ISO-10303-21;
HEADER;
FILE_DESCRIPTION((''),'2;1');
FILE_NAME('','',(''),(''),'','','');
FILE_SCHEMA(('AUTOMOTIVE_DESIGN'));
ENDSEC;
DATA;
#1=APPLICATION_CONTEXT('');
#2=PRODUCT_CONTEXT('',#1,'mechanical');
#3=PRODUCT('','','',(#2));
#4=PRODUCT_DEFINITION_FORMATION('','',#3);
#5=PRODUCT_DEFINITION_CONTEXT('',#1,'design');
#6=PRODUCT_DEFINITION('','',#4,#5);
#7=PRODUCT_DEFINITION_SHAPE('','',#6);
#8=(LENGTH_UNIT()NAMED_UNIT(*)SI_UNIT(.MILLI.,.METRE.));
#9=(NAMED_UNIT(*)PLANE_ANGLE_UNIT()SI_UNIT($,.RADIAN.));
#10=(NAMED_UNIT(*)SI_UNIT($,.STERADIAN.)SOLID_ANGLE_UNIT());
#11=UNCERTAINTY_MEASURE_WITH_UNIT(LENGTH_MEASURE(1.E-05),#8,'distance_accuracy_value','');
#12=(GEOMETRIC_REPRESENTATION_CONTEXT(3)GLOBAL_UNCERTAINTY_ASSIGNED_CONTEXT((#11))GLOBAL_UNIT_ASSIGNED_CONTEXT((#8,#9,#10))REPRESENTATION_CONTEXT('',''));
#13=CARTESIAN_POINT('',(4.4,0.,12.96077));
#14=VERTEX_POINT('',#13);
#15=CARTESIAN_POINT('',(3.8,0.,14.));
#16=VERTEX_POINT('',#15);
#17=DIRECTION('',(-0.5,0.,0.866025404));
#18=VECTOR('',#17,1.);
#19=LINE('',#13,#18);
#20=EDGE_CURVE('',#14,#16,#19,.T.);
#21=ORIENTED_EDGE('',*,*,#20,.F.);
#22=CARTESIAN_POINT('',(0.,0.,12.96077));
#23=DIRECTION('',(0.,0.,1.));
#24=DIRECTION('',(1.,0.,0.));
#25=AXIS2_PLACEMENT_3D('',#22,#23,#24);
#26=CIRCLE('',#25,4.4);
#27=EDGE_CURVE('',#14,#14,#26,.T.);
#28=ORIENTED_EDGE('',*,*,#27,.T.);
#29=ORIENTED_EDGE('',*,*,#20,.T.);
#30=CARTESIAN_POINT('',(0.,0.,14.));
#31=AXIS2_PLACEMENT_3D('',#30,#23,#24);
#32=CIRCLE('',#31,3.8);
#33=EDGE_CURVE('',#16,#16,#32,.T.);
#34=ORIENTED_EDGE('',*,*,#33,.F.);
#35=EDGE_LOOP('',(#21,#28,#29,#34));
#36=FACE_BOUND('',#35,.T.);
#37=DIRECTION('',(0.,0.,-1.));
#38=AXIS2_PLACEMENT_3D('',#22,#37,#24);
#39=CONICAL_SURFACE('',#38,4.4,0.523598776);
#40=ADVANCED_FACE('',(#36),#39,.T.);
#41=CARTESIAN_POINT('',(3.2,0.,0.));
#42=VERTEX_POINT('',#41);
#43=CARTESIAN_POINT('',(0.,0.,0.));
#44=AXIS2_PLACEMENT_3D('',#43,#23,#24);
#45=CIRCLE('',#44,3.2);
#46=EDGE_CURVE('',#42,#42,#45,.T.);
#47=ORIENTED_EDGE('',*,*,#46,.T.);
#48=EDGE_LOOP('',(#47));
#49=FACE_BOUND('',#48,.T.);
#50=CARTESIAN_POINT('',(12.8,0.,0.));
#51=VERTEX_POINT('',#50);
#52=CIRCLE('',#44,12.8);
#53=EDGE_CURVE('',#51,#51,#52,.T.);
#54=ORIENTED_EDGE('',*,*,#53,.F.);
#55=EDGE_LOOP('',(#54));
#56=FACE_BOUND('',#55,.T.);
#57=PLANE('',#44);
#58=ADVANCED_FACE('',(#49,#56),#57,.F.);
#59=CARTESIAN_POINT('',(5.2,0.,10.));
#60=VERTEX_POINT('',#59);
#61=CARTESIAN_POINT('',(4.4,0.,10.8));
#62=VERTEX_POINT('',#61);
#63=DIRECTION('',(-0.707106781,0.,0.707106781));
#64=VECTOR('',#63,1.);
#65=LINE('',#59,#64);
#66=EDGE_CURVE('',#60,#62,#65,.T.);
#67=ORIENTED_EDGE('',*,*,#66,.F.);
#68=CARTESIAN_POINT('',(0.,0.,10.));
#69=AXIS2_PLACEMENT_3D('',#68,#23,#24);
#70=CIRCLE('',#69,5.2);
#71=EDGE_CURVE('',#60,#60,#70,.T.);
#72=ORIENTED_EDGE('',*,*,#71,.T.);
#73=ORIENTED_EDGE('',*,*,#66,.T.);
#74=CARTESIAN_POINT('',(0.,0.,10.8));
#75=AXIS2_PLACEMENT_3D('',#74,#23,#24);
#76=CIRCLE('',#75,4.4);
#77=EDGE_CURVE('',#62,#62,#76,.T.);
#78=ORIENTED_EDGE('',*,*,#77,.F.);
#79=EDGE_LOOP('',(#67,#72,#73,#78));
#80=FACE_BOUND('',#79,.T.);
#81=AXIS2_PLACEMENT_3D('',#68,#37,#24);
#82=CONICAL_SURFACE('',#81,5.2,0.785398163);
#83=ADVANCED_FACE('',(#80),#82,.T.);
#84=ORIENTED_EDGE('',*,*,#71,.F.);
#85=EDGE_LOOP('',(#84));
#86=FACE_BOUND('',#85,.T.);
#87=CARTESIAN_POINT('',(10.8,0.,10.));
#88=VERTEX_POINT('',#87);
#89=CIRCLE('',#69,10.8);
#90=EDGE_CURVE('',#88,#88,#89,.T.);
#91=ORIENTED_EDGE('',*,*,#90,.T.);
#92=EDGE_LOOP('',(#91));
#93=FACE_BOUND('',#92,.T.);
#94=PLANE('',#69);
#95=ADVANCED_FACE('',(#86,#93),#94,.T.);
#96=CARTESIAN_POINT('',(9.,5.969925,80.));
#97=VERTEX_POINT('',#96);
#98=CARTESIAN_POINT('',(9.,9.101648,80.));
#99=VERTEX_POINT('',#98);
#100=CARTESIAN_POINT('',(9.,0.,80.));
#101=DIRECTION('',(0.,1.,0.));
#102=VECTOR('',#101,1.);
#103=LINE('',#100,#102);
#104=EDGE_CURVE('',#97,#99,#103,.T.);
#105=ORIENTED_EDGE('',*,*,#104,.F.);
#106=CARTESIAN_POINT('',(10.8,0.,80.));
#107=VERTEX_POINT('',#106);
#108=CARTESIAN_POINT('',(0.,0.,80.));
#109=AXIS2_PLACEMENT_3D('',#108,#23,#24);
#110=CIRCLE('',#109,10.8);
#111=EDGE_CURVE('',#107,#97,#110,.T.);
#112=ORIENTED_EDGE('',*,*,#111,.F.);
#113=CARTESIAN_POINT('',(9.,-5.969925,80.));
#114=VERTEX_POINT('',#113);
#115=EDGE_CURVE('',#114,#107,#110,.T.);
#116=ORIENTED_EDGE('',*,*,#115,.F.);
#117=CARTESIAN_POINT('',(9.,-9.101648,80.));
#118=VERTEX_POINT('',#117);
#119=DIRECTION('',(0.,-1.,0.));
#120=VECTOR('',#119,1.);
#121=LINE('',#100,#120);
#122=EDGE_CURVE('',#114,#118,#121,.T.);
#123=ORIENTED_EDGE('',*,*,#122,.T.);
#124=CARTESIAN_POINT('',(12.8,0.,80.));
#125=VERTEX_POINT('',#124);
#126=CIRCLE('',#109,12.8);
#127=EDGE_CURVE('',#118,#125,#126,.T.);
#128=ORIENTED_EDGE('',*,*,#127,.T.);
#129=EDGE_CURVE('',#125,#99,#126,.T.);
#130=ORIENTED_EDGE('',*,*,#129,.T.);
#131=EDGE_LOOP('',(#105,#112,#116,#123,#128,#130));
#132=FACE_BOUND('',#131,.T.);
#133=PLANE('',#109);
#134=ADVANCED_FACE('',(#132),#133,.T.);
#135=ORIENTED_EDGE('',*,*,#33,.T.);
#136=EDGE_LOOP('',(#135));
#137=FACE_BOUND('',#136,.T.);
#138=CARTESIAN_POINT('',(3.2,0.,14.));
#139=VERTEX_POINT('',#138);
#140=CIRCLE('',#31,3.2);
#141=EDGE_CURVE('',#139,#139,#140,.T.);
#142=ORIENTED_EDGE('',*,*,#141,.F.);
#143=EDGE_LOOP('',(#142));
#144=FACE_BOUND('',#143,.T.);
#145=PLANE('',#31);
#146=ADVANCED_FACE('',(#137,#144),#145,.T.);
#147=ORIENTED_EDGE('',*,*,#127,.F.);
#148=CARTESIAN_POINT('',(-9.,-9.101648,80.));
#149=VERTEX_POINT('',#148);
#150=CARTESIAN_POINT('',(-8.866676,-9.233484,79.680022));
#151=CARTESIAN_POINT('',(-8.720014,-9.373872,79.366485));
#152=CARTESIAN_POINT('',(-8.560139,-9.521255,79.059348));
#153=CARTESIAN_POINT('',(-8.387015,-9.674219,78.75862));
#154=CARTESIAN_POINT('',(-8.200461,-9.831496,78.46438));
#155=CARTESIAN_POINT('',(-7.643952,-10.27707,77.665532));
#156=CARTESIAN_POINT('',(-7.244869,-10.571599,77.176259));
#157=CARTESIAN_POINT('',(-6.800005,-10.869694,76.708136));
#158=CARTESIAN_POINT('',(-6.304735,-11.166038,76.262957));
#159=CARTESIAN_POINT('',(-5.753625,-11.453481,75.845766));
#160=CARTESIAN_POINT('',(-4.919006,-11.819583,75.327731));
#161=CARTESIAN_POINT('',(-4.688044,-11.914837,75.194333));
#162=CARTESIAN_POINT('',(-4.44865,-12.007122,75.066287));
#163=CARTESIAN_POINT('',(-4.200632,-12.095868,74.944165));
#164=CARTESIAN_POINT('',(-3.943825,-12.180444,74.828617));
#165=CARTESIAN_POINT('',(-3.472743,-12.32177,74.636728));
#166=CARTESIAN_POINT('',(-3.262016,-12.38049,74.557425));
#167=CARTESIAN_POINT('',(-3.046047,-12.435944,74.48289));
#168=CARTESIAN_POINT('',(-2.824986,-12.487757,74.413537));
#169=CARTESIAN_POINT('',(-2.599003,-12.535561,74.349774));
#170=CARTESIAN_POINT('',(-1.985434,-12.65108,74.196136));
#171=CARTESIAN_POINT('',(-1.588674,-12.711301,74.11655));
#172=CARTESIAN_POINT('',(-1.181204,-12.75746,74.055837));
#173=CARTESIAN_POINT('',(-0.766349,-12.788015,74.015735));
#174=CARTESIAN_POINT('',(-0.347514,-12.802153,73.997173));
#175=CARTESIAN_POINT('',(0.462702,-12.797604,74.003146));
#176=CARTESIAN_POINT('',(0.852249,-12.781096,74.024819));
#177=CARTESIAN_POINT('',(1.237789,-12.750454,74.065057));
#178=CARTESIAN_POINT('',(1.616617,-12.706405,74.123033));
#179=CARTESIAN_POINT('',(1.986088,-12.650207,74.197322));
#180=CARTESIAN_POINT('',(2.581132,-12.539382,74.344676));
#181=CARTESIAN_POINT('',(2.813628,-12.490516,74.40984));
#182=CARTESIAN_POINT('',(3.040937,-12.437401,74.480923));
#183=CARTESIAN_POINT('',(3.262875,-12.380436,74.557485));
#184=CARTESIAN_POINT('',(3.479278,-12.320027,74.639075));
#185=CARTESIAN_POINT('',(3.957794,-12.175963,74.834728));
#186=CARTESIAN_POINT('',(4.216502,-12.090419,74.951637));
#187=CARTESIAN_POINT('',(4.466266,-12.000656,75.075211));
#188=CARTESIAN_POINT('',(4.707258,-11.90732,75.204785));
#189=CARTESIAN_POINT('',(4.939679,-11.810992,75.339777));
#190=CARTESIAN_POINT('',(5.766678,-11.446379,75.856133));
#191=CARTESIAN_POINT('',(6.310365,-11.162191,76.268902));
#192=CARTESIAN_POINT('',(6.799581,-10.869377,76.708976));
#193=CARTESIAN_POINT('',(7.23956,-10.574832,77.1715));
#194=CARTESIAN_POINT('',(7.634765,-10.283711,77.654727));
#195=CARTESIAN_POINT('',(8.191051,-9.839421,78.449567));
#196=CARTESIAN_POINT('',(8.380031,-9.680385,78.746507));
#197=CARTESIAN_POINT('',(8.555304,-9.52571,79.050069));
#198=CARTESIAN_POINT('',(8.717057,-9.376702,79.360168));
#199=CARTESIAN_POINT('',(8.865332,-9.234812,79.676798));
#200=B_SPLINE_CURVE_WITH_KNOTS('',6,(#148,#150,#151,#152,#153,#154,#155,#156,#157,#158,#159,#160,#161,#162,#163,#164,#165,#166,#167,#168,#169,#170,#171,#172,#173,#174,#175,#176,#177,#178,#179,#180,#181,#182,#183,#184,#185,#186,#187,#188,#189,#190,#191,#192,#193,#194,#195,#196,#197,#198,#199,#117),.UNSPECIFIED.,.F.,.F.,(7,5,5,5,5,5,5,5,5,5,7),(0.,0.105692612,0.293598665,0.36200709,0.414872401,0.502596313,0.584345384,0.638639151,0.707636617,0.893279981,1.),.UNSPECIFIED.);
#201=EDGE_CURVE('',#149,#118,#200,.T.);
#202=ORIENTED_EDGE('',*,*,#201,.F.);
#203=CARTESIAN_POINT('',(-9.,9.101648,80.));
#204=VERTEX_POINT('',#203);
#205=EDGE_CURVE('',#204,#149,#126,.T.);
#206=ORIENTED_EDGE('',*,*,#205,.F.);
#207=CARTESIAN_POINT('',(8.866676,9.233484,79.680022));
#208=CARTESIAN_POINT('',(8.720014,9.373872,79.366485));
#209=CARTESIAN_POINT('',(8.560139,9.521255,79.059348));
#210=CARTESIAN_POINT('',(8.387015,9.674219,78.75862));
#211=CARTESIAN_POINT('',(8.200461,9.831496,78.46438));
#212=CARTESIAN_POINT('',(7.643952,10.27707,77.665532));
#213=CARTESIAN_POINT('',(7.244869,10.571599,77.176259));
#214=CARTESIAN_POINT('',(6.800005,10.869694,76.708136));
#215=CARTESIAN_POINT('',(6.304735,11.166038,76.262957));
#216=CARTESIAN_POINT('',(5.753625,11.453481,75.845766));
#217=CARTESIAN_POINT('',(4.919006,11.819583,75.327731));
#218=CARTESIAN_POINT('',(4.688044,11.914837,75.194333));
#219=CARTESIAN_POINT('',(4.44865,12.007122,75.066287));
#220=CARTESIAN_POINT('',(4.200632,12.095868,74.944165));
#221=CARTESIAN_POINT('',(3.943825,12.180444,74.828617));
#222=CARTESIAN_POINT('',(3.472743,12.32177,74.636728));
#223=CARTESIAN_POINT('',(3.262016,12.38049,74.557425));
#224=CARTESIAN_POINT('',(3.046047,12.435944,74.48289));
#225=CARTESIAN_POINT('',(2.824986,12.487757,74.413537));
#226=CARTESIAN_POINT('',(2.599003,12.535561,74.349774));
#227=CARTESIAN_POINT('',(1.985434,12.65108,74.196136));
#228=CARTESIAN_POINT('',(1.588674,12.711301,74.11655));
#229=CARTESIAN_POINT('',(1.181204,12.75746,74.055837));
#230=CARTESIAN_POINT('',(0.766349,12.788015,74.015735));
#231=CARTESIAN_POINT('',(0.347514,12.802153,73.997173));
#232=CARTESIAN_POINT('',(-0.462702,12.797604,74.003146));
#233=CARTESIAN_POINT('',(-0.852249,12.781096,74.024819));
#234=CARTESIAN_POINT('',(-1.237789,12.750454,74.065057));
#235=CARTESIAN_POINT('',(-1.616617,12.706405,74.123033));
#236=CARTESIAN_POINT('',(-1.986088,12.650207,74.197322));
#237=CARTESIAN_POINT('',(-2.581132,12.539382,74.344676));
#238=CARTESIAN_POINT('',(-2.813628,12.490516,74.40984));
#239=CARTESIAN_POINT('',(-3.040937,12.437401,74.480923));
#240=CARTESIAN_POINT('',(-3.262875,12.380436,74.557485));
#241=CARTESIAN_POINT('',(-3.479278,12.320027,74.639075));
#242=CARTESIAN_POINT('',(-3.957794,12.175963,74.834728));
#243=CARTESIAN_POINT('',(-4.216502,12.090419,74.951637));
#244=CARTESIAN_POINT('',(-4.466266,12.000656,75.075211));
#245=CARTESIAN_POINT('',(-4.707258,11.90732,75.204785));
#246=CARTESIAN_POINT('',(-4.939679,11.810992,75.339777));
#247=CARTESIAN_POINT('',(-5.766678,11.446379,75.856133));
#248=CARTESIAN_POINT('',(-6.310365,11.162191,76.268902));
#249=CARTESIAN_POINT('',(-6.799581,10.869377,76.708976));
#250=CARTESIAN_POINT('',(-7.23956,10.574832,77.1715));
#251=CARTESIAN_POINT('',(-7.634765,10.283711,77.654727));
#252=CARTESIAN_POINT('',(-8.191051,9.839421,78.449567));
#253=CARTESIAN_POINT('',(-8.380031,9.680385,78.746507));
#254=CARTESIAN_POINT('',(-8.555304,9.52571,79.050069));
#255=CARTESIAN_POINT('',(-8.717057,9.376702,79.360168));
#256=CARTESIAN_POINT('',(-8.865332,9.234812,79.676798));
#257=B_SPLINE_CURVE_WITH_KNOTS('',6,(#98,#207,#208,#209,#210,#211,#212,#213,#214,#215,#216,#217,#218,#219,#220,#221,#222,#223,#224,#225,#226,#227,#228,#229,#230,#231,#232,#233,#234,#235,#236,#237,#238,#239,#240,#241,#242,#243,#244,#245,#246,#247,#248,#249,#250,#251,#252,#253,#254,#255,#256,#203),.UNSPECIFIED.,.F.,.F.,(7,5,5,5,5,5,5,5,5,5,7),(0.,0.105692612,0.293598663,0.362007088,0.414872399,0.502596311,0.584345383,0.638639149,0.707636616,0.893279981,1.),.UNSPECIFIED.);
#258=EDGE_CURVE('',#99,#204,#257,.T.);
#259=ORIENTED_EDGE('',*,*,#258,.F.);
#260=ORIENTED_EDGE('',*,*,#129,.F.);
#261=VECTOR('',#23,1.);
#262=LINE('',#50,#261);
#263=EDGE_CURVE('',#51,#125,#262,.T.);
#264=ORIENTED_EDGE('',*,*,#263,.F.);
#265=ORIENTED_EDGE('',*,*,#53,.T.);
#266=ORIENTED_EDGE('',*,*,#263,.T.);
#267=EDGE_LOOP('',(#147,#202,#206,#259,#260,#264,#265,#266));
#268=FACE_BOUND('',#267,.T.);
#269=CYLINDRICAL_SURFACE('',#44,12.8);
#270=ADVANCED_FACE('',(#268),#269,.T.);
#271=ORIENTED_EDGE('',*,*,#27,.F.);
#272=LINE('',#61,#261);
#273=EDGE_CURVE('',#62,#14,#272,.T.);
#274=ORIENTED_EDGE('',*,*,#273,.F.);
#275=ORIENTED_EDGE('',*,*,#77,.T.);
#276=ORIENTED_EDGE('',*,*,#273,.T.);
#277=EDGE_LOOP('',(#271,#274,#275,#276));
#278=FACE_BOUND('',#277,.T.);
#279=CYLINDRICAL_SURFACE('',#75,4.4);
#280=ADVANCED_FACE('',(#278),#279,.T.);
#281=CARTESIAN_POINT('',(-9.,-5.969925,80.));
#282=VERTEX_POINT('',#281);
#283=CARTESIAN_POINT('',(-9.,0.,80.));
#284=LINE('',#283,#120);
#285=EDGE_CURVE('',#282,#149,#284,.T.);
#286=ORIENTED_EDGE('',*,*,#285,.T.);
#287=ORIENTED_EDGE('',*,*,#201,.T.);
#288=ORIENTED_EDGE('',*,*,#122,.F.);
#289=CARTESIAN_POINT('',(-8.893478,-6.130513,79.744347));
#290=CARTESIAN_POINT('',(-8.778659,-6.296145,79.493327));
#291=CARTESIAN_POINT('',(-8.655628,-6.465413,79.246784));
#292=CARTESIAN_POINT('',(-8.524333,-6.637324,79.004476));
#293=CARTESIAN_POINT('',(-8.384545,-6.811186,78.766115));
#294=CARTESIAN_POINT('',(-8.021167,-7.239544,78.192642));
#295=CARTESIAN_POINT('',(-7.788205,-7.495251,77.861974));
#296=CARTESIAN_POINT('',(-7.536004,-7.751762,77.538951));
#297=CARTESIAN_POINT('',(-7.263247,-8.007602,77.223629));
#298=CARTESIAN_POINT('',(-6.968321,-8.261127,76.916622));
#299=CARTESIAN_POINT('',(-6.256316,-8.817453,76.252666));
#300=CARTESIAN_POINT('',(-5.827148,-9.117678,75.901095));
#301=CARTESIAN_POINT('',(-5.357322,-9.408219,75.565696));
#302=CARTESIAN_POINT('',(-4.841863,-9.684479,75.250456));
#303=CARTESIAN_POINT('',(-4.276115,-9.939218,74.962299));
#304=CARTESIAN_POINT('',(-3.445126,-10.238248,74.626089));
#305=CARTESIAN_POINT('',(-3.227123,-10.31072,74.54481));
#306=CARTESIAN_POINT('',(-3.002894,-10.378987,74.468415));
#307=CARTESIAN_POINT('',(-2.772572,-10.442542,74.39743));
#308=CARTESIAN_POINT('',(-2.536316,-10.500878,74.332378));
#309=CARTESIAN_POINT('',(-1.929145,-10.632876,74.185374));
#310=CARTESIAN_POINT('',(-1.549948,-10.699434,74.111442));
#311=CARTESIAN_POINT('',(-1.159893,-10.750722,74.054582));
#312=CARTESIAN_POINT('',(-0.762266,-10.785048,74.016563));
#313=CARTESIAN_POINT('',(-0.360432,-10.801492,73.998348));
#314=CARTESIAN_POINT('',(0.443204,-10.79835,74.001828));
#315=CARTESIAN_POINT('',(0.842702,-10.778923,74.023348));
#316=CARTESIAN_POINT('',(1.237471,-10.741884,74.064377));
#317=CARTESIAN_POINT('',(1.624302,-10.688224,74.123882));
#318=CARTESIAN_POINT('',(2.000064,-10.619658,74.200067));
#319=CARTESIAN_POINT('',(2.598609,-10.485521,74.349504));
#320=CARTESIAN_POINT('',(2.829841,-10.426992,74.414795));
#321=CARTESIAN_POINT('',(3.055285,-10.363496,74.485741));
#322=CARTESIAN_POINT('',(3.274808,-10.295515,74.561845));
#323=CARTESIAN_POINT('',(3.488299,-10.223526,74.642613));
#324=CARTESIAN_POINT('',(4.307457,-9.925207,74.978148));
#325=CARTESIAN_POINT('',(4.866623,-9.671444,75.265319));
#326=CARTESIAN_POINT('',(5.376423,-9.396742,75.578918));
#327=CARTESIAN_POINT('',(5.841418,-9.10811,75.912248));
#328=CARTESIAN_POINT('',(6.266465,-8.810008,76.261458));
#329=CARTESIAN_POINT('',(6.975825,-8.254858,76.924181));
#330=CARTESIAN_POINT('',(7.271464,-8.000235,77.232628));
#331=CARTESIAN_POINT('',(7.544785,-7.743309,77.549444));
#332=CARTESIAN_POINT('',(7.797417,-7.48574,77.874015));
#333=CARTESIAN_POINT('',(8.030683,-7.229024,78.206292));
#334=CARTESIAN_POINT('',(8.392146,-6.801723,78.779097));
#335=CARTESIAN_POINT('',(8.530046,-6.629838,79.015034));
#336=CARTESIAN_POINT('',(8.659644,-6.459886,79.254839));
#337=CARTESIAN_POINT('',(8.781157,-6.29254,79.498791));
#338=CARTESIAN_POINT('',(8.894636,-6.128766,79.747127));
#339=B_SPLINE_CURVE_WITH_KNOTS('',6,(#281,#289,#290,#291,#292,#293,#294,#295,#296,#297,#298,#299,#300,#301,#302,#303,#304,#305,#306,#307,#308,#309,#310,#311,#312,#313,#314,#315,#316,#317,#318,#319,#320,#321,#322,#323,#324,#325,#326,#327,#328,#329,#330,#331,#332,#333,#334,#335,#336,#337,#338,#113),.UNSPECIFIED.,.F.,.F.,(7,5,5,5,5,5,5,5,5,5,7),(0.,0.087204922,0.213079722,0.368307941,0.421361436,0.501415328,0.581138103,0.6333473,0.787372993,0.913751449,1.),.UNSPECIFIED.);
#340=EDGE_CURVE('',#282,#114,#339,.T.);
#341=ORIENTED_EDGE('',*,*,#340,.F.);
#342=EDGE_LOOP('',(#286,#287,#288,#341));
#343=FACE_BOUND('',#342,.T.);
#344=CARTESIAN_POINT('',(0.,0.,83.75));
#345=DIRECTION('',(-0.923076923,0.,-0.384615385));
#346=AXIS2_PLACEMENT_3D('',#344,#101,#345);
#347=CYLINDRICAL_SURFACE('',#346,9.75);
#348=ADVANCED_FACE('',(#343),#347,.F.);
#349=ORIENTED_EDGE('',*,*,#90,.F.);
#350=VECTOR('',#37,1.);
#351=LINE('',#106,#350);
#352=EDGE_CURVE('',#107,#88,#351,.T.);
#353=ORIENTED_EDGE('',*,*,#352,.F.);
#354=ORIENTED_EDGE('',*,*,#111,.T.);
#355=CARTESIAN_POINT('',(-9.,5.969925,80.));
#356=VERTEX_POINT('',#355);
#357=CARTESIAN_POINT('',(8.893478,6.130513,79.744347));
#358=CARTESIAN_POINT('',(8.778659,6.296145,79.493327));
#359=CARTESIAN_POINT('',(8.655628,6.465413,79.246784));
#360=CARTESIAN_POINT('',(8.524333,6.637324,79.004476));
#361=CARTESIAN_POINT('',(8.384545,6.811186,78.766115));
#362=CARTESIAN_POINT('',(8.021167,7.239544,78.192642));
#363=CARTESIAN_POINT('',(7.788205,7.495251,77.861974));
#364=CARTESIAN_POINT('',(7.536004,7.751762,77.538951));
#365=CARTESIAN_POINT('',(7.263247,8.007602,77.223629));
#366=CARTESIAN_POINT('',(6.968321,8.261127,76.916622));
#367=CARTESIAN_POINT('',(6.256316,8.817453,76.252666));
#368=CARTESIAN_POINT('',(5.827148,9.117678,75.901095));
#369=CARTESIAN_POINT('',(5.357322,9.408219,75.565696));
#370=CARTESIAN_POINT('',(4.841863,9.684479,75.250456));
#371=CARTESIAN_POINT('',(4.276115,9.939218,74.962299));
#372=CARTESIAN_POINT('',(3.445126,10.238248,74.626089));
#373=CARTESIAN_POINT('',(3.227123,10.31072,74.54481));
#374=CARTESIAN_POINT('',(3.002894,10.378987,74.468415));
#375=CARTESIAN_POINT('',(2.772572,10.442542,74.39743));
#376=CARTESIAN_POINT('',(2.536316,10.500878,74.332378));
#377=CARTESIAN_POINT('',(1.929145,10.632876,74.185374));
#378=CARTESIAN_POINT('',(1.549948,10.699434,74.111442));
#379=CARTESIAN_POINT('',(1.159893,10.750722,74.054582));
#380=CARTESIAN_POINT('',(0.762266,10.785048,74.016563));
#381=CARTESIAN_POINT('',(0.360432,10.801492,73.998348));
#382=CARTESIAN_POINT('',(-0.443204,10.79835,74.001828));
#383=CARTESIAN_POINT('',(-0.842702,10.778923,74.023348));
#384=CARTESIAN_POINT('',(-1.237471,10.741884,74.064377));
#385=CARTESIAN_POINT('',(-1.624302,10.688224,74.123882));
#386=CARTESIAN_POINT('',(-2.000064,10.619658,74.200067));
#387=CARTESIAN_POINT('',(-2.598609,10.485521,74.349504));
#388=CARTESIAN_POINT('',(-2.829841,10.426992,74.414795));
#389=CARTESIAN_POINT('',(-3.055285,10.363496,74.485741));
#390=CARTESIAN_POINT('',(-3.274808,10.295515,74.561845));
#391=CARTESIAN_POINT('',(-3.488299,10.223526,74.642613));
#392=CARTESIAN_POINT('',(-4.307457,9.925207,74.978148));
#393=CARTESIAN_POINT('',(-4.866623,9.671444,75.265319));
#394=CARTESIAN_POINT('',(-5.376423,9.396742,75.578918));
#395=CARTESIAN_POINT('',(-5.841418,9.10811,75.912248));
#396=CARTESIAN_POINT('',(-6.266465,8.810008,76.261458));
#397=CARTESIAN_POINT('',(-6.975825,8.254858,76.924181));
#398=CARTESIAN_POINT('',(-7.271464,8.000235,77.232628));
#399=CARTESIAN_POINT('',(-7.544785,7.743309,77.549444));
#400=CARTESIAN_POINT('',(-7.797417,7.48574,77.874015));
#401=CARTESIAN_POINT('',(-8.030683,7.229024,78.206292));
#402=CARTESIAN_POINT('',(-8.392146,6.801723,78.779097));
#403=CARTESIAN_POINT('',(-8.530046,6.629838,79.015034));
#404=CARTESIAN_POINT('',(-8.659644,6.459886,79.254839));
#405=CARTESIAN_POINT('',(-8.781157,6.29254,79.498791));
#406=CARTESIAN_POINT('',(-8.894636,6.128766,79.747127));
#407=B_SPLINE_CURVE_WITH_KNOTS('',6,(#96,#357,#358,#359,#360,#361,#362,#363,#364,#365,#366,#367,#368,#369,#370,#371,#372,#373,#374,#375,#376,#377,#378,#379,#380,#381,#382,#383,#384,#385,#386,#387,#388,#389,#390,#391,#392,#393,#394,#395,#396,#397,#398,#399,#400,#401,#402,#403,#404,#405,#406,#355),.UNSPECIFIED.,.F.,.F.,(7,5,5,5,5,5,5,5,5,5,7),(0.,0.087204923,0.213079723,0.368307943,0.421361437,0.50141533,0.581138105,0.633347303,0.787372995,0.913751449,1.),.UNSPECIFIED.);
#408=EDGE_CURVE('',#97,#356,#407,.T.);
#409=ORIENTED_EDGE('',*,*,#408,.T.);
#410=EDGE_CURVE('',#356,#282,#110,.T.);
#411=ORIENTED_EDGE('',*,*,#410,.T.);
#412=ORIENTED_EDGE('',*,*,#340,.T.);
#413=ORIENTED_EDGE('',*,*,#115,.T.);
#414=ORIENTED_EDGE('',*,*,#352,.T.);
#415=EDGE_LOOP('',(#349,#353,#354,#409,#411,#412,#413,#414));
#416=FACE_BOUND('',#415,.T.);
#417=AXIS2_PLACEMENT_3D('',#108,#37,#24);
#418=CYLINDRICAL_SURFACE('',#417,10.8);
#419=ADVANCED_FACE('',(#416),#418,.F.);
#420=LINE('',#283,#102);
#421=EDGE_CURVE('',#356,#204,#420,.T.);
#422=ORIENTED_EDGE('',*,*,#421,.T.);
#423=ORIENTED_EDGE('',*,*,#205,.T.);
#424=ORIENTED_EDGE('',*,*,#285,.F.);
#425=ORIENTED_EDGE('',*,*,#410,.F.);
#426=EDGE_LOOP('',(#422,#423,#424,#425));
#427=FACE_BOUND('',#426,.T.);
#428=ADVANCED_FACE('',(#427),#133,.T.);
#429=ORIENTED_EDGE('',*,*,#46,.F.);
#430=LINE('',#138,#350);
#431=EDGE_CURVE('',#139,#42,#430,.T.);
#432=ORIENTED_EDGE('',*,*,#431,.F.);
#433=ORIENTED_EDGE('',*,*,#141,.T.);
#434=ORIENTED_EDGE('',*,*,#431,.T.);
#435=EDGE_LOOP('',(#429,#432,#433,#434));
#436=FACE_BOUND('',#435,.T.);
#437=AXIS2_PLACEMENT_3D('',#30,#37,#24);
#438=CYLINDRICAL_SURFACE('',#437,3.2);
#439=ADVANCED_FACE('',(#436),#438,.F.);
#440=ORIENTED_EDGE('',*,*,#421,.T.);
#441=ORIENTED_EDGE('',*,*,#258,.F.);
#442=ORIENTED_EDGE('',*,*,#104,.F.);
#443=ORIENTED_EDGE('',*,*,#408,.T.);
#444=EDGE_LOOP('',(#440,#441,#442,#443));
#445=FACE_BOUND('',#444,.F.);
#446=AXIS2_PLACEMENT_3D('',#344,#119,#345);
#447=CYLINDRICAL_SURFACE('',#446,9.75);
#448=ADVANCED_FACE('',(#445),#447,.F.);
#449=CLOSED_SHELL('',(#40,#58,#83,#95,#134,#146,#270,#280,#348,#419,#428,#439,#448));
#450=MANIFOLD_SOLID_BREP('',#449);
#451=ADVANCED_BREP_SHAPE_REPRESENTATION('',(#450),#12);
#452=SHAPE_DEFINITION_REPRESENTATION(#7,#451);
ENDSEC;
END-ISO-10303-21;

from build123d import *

# Parameters (mm, degrees)
F3_DEPTH      = 12.801
F3_DEPTH_BACK = 12.801


with BuildPart() as f1:
    # F0 (on Front) → F1 (revolve)
    with BuildSketch(Plane.XZ):
        Polygon((3.2, 0), (12.8, 0), (12.8, 80), (10.8, 80), (10.8, 10), (5.2, 10), (4.4, 10.8), (4.4, 12.9607695155), (3.8, 14), (3.2, 14), align=None)
    revolve(axis=Axis((0, 0, 37.0239801705), (0, 0, 1)))

    # F2 (on Front) → F3 (cut, two sides)
    with BuildSketch(Plane.XZ) as f3_sk:
        with BuildLine():
            Line((9, 80), (-9, 80))
            ThreePointArc((-9, 80), (0, 74), (9, 80))
        make_face()
    extrude(amount=-F3_DEPTH, mode=Mode.SUBTRACT)
    extrude(f3_sk.sketch, amount=F3_DEPTH_BACK, mode=Mode.SUBTRACT)


solid = f1.part
